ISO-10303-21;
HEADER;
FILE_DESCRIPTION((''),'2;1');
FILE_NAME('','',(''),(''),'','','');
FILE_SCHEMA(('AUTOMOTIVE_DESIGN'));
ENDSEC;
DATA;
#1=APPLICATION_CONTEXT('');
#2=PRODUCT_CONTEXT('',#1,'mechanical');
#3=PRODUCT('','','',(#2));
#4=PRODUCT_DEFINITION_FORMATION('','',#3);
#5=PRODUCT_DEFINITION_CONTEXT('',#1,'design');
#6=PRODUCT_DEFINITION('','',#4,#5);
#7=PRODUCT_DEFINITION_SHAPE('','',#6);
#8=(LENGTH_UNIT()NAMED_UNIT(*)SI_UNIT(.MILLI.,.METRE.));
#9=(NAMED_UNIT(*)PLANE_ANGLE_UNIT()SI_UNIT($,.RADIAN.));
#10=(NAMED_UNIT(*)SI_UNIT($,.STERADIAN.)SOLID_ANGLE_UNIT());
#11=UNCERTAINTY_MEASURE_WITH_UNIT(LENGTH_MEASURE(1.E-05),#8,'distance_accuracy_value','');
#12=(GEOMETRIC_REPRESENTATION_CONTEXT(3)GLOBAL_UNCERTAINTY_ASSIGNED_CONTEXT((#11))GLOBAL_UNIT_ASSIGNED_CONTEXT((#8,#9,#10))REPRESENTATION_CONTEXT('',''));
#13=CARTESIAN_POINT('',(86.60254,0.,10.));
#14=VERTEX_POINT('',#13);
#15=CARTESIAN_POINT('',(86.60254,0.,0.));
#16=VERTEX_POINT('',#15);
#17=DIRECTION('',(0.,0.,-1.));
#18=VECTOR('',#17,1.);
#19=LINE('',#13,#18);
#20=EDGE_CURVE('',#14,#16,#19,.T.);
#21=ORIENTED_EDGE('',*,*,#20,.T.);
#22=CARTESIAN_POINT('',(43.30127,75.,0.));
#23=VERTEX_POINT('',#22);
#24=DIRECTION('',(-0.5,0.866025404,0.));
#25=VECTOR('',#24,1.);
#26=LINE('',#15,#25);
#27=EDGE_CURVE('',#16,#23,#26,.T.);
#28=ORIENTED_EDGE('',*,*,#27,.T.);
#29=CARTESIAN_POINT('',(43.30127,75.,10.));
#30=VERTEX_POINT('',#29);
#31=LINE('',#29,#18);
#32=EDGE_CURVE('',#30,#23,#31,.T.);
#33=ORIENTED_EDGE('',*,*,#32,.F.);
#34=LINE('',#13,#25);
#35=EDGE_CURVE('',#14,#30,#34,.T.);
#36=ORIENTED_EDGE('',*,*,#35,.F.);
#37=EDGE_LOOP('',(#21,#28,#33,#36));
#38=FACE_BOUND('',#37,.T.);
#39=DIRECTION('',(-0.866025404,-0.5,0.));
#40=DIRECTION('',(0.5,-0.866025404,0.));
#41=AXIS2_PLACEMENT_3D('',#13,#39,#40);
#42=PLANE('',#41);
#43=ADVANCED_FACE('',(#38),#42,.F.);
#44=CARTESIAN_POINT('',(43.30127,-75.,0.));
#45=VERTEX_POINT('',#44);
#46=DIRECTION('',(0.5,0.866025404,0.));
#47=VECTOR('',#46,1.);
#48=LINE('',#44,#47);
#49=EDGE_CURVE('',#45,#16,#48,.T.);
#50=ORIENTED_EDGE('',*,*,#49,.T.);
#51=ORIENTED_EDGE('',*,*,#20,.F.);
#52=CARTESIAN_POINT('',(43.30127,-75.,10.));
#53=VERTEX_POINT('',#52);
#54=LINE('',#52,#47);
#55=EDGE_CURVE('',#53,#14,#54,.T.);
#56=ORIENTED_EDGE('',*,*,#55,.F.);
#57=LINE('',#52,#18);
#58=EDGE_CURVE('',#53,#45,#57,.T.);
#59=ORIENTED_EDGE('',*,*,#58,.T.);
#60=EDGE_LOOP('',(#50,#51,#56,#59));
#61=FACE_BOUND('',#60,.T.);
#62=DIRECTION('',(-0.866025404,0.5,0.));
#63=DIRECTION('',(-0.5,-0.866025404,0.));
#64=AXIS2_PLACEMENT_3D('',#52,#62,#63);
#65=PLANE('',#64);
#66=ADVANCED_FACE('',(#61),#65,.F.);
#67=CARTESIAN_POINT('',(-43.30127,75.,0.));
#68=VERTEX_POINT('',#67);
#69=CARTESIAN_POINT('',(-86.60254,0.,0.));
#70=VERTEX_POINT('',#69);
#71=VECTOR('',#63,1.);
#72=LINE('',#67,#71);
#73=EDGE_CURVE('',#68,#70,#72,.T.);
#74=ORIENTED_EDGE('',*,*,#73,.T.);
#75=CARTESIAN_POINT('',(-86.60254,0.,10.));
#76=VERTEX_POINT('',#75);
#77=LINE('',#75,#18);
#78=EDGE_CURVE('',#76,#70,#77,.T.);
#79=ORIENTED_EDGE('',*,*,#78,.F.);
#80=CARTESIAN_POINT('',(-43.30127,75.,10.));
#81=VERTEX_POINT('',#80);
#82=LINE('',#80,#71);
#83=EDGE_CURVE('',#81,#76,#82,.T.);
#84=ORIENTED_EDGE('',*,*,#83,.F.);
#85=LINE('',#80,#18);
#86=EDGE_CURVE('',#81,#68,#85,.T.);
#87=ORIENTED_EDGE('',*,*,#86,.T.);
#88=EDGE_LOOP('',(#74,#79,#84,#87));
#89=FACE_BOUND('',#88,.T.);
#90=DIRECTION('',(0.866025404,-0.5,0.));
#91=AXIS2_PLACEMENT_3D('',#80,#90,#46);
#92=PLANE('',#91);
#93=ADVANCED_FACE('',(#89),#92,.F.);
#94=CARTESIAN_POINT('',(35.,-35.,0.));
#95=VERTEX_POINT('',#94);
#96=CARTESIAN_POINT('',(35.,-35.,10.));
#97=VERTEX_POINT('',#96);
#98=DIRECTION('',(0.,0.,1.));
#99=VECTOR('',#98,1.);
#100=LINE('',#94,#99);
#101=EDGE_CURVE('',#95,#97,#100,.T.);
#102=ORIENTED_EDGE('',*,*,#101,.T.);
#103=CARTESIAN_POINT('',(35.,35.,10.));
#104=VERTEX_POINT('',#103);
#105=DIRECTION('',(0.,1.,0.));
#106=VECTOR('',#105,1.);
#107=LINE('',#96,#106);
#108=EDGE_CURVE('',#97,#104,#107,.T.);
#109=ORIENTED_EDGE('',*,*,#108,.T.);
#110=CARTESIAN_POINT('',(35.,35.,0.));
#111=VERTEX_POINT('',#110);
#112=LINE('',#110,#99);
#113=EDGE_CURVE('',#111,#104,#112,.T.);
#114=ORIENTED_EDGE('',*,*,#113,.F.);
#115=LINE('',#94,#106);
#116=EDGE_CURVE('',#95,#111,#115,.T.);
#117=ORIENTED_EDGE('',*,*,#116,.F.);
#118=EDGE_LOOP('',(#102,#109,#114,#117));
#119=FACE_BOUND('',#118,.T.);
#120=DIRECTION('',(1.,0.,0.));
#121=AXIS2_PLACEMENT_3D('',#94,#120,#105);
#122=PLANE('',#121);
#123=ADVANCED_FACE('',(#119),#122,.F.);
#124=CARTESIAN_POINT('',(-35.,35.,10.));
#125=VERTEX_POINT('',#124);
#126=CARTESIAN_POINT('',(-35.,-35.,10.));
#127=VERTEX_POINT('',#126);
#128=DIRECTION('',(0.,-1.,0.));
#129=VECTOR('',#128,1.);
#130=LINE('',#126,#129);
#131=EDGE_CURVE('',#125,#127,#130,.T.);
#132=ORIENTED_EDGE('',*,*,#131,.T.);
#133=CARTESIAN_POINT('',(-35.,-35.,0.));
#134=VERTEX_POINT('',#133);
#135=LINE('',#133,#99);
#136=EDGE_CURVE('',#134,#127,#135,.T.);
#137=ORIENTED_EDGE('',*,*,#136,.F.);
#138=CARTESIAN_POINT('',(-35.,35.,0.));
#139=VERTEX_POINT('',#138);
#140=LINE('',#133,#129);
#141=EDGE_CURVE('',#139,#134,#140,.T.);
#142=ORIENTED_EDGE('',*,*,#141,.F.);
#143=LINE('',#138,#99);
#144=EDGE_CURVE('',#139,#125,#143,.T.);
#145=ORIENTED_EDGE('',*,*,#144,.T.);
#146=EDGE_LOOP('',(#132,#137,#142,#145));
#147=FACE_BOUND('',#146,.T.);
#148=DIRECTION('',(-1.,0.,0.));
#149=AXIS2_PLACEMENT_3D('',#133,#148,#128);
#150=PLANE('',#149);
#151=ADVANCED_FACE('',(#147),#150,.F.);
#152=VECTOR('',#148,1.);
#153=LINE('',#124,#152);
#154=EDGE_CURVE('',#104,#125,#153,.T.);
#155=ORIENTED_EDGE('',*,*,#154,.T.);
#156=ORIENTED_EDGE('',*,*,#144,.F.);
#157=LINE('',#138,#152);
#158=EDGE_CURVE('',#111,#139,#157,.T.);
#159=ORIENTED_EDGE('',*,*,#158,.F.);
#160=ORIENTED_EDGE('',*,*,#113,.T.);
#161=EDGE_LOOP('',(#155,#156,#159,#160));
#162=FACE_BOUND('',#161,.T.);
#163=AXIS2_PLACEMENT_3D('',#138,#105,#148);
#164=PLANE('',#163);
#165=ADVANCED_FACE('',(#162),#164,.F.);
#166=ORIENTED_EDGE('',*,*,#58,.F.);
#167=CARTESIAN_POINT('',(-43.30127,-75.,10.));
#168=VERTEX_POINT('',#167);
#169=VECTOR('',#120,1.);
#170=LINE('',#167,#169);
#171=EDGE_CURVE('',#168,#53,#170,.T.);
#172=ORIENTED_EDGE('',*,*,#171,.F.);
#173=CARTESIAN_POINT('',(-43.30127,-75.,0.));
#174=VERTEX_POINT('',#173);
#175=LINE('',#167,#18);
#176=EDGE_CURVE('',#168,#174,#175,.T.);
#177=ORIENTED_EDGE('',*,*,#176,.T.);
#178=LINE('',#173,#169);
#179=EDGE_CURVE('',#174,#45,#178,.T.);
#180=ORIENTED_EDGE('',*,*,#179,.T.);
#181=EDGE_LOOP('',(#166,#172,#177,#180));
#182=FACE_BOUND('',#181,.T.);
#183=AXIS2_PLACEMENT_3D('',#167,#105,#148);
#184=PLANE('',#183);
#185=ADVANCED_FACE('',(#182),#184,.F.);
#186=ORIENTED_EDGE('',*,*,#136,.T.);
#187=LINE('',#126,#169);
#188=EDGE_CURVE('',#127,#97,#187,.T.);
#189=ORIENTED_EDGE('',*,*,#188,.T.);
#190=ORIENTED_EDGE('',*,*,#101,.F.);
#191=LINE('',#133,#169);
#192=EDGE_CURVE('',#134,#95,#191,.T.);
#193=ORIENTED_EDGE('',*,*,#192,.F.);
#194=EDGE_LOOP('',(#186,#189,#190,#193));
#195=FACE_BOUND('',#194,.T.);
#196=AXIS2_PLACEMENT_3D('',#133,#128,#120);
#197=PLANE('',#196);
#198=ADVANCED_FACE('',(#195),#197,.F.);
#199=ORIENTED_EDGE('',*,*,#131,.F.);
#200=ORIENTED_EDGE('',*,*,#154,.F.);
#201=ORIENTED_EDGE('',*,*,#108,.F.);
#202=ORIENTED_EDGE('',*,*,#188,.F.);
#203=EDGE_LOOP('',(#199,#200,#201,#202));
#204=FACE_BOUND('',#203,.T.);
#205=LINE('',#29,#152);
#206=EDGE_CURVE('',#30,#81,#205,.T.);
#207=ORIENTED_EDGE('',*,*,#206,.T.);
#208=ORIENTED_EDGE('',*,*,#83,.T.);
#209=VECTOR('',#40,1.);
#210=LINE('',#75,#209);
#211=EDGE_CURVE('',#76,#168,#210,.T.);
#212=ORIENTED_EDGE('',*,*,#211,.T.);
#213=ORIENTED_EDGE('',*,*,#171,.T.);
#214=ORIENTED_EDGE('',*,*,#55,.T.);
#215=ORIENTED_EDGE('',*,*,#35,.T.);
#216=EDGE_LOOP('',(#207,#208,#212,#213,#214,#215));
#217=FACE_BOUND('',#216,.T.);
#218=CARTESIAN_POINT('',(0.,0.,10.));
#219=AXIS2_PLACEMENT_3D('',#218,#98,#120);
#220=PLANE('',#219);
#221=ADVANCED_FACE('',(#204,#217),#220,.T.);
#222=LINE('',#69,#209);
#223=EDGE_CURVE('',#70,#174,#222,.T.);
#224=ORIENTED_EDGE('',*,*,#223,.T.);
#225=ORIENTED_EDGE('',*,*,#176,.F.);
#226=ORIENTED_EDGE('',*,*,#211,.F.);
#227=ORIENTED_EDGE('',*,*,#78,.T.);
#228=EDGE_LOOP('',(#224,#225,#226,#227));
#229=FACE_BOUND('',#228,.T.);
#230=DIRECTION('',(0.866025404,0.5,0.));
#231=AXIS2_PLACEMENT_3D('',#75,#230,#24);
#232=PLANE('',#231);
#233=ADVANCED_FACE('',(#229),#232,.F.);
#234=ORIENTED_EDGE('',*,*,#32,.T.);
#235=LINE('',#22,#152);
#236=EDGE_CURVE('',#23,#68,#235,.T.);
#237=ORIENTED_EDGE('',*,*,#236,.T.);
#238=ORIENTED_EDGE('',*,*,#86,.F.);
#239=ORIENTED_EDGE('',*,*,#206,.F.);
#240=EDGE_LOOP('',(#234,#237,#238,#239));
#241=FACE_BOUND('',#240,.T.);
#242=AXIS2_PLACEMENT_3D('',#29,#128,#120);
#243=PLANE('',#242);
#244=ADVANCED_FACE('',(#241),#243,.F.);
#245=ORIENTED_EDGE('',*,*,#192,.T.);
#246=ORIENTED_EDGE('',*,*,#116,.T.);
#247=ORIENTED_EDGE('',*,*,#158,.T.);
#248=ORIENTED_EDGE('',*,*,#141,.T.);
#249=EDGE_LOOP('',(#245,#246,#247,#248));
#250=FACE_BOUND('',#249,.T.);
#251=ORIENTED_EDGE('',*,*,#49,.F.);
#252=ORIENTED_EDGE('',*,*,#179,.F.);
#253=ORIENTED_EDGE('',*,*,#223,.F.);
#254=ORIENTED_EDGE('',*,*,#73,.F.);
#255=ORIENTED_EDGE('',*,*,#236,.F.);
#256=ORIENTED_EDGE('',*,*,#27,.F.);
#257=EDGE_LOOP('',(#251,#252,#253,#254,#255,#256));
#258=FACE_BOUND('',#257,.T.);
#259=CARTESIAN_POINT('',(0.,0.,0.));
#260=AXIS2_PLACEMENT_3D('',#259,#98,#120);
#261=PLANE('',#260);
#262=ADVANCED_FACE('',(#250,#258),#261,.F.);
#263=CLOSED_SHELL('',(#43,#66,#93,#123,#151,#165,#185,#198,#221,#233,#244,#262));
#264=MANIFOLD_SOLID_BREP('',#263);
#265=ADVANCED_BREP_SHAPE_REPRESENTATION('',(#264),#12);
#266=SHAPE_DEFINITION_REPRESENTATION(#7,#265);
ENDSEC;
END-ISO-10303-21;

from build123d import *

# Parameters (mm, degrees)
CAP_DEPTH            = 10
SKETCH2_W            = 70
SKETCH2_H            = 70
BATTERY_ACCESS_DEPTH = 116


with BuildPart() as part:
    # Sketch1 → Cap (new body)
    with BuildSketch(Plane.XY):
        Polygon((86.602540378, 0), (43.301270189, 75), (-43.301270189, 75), (-86.602540378, 0), (-43.301270189, -75), (43.301270189, -75), align=None)
    extrude(amount=CAP_DEPTH)

    # Sketch2 → Battery Access (cut, through all)
    with BuildSketch(Plane.XY.offset(10)):
        Rectangle(SKETCH2_W, SKETCH2_H)
    extrude(amount=-BATTERY_ACCESS_DEPTH, mode=Mode.SUBTRACT)


solid = part.part
